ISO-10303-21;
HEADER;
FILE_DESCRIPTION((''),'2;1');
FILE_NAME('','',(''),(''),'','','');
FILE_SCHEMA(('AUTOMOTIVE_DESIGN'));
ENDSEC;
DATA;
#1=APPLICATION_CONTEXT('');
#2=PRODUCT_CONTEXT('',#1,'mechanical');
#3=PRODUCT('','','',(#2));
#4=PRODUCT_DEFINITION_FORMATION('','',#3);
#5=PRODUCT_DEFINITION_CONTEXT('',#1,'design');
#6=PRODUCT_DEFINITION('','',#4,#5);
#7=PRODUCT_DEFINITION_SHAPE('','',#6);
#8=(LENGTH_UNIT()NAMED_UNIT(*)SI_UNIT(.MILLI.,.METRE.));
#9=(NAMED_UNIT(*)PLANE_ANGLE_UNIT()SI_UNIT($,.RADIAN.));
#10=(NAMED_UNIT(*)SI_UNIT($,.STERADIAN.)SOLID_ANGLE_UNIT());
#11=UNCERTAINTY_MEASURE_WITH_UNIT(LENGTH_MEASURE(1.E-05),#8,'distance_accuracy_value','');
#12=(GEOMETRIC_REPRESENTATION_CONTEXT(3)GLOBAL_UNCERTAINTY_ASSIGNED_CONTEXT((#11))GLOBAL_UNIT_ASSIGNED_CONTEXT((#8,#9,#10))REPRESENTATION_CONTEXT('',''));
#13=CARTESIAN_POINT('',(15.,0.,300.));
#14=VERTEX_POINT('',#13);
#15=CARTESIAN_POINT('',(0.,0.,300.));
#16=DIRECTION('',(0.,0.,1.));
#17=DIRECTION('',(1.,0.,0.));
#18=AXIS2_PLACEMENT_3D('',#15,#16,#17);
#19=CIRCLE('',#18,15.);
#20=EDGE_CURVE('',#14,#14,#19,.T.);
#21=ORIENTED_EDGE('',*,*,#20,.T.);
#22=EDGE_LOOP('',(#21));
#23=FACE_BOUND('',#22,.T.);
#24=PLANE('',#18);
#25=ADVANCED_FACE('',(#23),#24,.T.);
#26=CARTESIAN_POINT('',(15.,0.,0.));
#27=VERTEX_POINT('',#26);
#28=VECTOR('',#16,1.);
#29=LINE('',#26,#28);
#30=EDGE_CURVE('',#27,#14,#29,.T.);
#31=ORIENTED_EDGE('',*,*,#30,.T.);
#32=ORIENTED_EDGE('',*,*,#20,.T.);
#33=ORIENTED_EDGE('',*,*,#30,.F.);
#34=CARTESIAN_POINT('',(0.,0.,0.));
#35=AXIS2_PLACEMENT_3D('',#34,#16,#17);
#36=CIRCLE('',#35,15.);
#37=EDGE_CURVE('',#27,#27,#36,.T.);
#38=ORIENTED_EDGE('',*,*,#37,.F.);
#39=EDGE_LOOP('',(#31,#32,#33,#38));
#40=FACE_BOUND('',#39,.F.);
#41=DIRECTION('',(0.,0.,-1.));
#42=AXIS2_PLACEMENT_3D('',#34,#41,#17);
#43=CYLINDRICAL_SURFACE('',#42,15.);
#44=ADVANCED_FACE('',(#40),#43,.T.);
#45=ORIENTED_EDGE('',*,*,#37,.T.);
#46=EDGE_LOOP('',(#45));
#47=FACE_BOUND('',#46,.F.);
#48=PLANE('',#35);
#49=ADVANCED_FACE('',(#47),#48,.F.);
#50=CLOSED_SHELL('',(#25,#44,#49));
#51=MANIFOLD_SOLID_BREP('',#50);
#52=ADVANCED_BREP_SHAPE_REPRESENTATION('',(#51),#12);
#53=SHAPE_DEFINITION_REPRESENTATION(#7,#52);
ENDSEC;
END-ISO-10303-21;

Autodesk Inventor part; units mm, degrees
ref_plane "YZ Plane" through (0, 0, 0) normal (1, 0, 0) x (0, 1, 0)
ref_plane "XZ Plane" through (0, 0, 0) normal (0, 1, 0) x (-1, 0, 0)
ref_plane "XY Plane" through (0, 0, 0) normal (0, 0, 1) x (1, 0, 0)
sketch "Sketch1" plane through (0, 0, 0) normal (0, 0, 1) x (1, 0, 0)
  circle A0 centre (0, 0) radius 15
  dimension "d0" = 30
extrude "Extrusion1" add sketch "Sketch1" along normal blind 300
properties part number "dummy_axle"
